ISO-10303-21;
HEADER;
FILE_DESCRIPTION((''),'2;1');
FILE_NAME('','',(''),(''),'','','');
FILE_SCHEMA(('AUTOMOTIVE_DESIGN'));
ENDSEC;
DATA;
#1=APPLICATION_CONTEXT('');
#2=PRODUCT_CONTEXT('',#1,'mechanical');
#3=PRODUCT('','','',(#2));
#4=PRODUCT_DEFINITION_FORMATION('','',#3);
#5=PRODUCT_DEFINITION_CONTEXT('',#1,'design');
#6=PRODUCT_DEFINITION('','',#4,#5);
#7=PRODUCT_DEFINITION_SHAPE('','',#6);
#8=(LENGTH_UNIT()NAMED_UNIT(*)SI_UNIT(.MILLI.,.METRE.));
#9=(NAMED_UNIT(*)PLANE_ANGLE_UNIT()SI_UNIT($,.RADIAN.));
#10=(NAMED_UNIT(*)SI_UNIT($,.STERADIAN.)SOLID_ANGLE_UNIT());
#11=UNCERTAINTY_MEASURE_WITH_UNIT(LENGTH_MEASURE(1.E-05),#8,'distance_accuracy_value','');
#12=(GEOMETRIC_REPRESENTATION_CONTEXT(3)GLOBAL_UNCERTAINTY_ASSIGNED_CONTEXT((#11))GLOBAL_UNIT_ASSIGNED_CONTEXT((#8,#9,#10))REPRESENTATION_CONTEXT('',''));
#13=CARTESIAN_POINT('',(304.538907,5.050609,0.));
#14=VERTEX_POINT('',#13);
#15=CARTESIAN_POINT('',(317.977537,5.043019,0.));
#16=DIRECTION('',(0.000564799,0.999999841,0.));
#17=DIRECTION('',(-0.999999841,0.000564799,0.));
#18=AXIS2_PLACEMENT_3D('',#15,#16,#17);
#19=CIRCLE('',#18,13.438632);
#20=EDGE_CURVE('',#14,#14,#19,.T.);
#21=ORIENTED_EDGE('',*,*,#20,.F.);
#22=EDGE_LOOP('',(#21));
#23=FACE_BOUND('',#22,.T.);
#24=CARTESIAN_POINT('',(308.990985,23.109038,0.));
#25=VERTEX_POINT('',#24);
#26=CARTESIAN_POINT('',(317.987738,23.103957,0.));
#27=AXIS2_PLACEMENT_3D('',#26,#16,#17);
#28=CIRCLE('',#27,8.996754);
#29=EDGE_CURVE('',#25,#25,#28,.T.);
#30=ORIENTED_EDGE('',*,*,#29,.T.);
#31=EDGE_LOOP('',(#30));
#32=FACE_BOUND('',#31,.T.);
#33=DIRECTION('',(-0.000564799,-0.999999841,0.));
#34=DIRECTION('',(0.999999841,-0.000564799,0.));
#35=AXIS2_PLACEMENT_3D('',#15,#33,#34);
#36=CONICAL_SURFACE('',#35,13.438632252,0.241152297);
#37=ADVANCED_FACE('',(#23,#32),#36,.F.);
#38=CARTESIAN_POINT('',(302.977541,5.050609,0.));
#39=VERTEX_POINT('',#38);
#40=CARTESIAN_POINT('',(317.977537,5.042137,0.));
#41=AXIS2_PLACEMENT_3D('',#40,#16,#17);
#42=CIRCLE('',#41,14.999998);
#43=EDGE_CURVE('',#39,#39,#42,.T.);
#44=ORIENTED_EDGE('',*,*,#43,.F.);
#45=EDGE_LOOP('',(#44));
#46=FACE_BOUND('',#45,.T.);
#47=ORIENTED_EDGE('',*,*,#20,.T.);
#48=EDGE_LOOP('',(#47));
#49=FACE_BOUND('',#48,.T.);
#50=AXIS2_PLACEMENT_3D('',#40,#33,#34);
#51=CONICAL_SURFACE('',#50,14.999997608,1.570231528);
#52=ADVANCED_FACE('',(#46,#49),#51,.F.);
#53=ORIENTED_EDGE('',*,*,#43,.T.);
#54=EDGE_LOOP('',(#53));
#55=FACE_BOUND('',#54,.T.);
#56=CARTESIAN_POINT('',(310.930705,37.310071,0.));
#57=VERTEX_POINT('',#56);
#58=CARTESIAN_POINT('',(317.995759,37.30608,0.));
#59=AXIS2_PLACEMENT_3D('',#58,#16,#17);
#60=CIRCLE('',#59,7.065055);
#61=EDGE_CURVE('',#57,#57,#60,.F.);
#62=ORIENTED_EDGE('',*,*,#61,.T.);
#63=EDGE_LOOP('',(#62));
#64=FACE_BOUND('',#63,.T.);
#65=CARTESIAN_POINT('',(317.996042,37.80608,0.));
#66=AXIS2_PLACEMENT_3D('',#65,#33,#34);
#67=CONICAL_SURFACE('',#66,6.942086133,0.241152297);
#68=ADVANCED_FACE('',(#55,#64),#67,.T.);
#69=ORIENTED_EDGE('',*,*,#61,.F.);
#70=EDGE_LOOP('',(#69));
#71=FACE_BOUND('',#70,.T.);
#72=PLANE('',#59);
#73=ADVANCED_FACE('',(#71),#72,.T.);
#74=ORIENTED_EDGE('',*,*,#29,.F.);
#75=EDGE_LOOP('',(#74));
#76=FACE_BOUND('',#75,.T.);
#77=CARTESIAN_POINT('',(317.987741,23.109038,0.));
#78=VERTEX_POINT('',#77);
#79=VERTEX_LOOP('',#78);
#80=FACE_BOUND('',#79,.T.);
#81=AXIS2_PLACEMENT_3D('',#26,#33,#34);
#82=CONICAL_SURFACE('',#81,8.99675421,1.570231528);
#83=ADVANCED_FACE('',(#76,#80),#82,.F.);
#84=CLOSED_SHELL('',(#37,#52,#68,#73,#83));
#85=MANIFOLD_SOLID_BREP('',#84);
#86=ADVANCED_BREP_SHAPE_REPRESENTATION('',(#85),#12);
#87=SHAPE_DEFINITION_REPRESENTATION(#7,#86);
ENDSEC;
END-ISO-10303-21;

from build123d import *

# Parameters (mm, degrees)
CUT_EXTRUDE2_DEPTH      = 0.5
CUT_EXTRUDE2_DEPTH_BACK = 0.5
SKETCH2_R               = 7.638661607


with BuildPart() as part:
    # Sketch1 → Revolve1 (revolve)
    with BuildSketch(Plane.XY):
        Polygon((302.977541495, 5.050609022), (311.053956716, 37.810001098), (317.996043956, 37.810001098), (317.987740872, 23.109038281), (308.990985227, 23.109038281), (304.538907099, 5.050609022), align=None)
    revolve(axis=Axis((317.996043956, 37.810001098, 0), (-0.0005647985914274973, -0.9999998405012629, 0)))

    # Sketch2 → Cut-Extrude2 (cut, two sides: drawn at the far end of the back side and taken through both)
    with BuildSketch(Plane(origin=(0.021454257, 37.985671845, 0), x_dir=(0.9999998405012629, -0.0005647985914269507, 0), z_dir=(0.0005647985914269507, 0.9999998405012629, 0)).offset(-CUT_EXTRUDE2_DEPTH_BACK)):
        with Locations((317.974638201, 0)):
            Circle(SKETCH2_R)
    extrude(amount=CUT_EXTRUDE2_DEPTH + CUT_EXTRUDE2_DEPTH_BACK, mode=Mode.SUBTRACT)


solid = part.part
